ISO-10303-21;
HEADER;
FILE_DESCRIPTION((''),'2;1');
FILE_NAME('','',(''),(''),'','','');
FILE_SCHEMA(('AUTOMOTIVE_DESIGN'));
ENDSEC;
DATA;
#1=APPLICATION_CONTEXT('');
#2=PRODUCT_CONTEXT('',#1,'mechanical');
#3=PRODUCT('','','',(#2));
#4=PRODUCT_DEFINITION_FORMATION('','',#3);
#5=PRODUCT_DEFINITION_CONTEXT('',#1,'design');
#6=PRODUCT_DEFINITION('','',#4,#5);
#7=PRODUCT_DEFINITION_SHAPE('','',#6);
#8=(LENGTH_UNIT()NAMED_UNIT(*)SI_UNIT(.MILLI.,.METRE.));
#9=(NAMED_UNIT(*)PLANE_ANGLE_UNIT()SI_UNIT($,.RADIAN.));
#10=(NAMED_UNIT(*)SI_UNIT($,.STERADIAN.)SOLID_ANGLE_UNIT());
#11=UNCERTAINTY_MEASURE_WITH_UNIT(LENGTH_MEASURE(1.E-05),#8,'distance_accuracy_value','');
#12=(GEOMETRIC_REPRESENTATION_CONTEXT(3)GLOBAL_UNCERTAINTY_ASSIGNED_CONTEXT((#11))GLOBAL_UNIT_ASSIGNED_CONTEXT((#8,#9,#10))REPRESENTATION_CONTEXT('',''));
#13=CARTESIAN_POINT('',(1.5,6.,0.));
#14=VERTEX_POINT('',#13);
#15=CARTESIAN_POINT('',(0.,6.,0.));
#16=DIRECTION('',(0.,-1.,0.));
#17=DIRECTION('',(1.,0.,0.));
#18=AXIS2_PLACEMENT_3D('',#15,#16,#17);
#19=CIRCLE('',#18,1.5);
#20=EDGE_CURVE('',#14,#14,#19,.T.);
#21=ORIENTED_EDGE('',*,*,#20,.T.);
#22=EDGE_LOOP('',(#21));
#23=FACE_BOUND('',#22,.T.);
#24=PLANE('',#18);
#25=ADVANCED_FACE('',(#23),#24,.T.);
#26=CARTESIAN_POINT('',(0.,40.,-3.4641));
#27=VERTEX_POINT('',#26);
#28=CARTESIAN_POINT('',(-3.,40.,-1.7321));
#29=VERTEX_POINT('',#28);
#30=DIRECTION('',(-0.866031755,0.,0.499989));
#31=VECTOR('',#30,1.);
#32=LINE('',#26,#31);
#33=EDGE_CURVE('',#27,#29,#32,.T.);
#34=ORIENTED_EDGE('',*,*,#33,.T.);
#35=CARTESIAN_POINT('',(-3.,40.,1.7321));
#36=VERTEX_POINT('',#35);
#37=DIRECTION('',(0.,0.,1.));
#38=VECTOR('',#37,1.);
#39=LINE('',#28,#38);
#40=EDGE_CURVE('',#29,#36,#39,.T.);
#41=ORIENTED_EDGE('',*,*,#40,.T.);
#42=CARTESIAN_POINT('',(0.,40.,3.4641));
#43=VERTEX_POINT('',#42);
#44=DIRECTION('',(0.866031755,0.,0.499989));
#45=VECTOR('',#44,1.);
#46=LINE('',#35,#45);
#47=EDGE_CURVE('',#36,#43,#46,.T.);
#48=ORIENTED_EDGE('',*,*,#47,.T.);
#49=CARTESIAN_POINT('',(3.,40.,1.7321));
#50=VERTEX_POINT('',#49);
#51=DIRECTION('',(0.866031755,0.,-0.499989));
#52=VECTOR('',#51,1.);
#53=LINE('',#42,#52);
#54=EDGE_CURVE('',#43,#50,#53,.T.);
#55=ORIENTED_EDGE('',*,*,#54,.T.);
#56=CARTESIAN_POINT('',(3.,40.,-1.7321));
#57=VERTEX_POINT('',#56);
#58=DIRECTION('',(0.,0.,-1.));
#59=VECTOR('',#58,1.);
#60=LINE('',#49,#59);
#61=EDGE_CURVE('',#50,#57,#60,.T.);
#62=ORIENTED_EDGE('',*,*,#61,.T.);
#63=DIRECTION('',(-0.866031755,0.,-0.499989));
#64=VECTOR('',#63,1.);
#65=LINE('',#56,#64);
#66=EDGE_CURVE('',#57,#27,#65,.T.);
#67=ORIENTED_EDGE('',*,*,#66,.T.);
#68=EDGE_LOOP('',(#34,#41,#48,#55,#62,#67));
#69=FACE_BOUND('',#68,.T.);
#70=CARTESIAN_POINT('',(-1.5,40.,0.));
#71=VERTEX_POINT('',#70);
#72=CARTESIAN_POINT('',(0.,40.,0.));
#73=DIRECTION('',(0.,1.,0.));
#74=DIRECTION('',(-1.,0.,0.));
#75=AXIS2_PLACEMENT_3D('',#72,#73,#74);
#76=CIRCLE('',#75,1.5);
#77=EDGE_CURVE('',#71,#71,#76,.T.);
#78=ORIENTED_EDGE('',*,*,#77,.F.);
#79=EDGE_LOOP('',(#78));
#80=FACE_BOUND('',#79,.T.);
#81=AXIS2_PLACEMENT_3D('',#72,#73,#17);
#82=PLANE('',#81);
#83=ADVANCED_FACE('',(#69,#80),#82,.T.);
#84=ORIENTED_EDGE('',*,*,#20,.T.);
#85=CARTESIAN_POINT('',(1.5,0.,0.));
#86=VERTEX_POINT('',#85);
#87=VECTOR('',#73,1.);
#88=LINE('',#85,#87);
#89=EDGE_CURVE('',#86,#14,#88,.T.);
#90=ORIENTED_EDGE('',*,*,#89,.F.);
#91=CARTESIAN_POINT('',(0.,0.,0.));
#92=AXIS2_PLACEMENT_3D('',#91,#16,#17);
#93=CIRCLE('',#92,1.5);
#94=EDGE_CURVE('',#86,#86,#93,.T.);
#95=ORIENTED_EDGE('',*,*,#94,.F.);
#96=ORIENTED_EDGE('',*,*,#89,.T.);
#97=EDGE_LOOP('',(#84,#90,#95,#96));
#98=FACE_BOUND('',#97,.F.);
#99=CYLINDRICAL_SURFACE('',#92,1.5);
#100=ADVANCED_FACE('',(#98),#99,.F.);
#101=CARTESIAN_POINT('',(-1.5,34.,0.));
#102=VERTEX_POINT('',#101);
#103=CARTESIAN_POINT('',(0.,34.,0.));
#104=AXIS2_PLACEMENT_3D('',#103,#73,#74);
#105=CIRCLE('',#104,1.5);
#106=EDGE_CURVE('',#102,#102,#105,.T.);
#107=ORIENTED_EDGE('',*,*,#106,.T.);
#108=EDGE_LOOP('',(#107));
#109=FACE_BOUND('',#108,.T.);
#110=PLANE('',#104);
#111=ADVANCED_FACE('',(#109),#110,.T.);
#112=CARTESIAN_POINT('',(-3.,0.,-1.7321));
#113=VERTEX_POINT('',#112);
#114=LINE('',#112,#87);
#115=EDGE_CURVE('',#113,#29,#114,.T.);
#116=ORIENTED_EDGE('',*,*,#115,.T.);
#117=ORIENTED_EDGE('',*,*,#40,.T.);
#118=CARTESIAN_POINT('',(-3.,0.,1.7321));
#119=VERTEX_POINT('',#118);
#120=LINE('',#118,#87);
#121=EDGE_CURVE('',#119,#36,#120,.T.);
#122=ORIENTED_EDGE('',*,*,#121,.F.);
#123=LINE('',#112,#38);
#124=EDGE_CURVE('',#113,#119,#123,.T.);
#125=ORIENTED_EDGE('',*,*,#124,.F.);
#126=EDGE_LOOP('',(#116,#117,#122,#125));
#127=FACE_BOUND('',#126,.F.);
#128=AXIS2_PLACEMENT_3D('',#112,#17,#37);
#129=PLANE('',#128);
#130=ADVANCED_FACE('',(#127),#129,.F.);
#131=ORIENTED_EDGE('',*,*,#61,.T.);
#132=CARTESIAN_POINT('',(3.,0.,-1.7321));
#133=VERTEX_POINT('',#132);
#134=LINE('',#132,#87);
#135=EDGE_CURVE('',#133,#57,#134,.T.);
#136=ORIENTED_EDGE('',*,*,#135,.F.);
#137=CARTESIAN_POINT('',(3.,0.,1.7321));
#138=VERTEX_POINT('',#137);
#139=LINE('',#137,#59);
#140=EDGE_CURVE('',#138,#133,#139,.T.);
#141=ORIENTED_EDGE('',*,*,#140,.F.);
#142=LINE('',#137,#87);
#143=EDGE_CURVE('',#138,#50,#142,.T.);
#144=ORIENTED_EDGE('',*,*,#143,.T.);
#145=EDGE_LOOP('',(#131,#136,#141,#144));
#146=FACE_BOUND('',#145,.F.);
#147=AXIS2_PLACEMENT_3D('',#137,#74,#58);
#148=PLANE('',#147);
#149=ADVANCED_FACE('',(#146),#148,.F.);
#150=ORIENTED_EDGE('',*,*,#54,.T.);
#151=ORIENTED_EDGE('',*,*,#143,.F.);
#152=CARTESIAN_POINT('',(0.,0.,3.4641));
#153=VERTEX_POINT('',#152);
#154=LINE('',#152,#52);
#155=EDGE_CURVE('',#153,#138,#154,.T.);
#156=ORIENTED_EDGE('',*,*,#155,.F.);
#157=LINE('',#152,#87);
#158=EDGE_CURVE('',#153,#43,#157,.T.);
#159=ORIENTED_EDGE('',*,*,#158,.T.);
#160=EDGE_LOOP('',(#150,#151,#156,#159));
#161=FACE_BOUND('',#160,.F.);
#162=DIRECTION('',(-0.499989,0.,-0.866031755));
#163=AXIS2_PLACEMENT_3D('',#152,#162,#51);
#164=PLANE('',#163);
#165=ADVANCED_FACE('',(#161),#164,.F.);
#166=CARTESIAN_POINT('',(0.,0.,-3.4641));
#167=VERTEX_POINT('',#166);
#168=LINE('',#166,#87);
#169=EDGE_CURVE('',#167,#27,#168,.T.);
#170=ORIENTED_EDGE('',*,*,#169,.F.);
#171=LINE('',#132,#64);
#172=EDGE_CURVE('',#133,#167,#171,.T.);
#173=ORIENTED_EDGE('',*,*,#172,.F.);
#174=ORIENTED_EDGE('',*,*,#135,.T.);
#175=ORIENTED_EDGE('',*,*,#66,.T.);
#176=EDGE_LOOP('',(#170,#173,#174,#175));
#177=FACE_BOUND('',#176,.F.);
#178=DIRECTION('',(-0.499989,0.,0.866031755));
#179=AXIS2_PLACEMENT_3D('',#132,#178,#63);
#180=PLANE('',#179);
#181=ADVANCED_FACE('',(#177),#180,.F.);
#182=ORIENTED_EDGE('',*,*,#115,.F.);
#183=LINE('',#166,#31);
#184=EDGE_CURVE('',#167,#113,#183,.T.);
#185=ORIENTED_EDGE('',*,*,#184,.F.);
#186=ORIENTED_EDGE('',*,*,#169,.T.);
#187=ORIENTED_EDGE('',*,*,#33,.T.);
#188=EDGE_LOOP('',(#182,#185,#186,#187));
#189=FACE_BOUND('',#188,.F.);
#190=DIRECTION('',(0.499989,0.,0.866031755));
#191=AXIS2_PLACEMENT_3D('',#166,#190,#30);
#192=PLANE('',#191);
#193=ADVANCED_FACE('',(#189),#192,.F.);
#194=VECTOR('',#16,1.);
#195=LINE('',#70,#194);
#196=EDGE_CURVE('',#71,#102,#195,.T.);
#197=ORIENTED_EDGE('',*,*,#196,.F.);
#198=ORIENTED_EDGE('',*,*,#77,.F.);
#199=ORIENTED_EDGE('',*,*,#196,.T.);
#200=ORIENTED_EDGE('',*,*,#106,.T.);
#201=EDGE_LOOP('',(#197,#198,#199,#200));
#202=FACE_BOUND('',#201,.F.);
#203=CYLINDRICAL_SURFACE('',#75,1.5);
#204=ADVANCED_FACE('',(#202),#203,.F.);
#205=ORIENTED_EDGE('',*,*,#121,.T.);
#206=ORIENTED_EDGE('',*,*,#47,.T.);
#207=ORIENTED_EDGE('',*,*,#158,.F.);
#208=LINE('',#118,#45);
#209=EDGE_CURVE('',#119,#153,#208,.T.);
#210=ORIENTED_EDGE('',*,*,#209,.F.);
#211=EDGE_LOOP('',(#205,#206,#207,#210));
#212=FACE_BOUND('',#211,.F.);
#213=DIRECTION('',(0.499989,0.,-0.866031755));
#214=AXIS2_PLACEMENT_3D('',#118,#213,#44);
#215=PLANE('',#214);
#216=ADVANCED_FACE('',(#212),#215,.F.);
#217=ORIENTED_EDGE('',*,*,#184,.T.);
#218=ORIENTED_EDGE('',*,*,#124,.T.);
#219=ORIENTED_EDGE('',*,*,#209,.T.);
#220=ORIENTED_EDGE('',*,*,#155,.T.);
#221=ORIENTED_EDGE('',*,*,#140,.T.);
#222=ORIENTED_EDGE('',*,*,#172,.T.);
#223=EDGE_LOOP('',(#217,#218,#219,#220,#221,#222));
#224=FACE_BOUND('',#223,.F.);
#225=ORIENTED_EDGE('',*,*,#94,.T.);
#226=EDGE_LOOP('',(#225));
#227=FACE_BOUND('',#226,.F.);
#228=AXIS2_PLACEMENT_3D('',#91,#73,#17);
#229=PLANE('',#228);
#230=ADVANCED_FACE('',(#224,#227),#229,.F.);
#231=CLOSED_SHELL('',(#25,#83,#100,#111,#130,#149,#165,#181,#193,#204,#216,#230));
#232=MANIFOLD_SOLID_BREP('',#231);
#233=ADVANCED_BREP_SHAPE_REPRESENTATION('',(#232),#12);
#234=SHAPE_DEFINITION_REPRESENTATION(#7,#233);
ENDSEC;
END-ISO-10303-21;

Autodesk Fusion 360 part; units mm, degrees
sketch "Sketch1" plane through (0, 0, 0) normal (0, 1, 0) x (1, 0, 0)
  line L0 (3, 1.7321) -> (0, 3.4641)
  line L1 (0, 3.4641) -> (-3, 1.7321)
  line L2 (-3, 1.7321) -> (-3, -1.7321)
  line L3 (-3, -1.7321) -> (0, -3.4641)
  line L4 (0, -3.4641) -> (3, -1.7321)
  line L5 (3, -1.7321) -> (3, 1.7321)
  dimension "d1" = 3
extrude "Extrude1" add sketch "Sketch1" along normal blind 40
sketch "Sketch4" plane through (0, 40, 0) normal (0, 1, 0) x (-1, 0, 0)
  line L0 (0, 3.4641) -> (-3, 1.7321)
  line L1 (-3, 1.7321) -> (-3, -1.7321)
  line L2 (-3, -1.7321) -> (0, -3.4641)
  line L3 (0, -3.4641) -> (3, -1.7321)
  line L4 (3, -1.7321) -> (3, 1.7321)
  line L5 (3, 1.7321) -> (0, 3.4641)
  circle A0 centre (0, 0) radius 1.5
  line L6 (-3, 1.7321) -> (-3, -1.7321)
  line L7 (-3, -1.7321) -> (0, -3.4641)
  line L8 (0, -3.4641) -> (3, -1.7321)
  line L9 (3, -1.7321) -> (3, 1.7321)
  line L10 (3, 1.7321) -> (0, 3.4641)
  line L11 (0, 3.4641) -> (-3, 1.7321)
  dimension "d8" = 3
extrude "Extrude4" cut sketch "Sketch4" against normal blind 6 contours A0
thread "Thread1"
sketch "Sketch5" plane through (0, 0, 0) normal (0, -1, 0) x (1, 0, 0)
  line L0 (3, -1.7321) -> (3, 1.7321)
  line L1 (3, 1.7321) -> (0, 3.4641)
  line L2 (0, 3.4641) -> (-3, 1.7321)
  line L3 (-3, 1.7321) -> (-3, -1.7321)
  line L4 (-3, -1.7321) -> (0, -3.4641)
  line L5 (0, -3.4641) -> (3, -1.7321)
  circle A0 centre (0, 0) radius 1.5
  dimension "d11" = 3
extrude "Extrude5" cut sketch "Sketch5" against normal blind 6 contours A0
thread "Thread2"
